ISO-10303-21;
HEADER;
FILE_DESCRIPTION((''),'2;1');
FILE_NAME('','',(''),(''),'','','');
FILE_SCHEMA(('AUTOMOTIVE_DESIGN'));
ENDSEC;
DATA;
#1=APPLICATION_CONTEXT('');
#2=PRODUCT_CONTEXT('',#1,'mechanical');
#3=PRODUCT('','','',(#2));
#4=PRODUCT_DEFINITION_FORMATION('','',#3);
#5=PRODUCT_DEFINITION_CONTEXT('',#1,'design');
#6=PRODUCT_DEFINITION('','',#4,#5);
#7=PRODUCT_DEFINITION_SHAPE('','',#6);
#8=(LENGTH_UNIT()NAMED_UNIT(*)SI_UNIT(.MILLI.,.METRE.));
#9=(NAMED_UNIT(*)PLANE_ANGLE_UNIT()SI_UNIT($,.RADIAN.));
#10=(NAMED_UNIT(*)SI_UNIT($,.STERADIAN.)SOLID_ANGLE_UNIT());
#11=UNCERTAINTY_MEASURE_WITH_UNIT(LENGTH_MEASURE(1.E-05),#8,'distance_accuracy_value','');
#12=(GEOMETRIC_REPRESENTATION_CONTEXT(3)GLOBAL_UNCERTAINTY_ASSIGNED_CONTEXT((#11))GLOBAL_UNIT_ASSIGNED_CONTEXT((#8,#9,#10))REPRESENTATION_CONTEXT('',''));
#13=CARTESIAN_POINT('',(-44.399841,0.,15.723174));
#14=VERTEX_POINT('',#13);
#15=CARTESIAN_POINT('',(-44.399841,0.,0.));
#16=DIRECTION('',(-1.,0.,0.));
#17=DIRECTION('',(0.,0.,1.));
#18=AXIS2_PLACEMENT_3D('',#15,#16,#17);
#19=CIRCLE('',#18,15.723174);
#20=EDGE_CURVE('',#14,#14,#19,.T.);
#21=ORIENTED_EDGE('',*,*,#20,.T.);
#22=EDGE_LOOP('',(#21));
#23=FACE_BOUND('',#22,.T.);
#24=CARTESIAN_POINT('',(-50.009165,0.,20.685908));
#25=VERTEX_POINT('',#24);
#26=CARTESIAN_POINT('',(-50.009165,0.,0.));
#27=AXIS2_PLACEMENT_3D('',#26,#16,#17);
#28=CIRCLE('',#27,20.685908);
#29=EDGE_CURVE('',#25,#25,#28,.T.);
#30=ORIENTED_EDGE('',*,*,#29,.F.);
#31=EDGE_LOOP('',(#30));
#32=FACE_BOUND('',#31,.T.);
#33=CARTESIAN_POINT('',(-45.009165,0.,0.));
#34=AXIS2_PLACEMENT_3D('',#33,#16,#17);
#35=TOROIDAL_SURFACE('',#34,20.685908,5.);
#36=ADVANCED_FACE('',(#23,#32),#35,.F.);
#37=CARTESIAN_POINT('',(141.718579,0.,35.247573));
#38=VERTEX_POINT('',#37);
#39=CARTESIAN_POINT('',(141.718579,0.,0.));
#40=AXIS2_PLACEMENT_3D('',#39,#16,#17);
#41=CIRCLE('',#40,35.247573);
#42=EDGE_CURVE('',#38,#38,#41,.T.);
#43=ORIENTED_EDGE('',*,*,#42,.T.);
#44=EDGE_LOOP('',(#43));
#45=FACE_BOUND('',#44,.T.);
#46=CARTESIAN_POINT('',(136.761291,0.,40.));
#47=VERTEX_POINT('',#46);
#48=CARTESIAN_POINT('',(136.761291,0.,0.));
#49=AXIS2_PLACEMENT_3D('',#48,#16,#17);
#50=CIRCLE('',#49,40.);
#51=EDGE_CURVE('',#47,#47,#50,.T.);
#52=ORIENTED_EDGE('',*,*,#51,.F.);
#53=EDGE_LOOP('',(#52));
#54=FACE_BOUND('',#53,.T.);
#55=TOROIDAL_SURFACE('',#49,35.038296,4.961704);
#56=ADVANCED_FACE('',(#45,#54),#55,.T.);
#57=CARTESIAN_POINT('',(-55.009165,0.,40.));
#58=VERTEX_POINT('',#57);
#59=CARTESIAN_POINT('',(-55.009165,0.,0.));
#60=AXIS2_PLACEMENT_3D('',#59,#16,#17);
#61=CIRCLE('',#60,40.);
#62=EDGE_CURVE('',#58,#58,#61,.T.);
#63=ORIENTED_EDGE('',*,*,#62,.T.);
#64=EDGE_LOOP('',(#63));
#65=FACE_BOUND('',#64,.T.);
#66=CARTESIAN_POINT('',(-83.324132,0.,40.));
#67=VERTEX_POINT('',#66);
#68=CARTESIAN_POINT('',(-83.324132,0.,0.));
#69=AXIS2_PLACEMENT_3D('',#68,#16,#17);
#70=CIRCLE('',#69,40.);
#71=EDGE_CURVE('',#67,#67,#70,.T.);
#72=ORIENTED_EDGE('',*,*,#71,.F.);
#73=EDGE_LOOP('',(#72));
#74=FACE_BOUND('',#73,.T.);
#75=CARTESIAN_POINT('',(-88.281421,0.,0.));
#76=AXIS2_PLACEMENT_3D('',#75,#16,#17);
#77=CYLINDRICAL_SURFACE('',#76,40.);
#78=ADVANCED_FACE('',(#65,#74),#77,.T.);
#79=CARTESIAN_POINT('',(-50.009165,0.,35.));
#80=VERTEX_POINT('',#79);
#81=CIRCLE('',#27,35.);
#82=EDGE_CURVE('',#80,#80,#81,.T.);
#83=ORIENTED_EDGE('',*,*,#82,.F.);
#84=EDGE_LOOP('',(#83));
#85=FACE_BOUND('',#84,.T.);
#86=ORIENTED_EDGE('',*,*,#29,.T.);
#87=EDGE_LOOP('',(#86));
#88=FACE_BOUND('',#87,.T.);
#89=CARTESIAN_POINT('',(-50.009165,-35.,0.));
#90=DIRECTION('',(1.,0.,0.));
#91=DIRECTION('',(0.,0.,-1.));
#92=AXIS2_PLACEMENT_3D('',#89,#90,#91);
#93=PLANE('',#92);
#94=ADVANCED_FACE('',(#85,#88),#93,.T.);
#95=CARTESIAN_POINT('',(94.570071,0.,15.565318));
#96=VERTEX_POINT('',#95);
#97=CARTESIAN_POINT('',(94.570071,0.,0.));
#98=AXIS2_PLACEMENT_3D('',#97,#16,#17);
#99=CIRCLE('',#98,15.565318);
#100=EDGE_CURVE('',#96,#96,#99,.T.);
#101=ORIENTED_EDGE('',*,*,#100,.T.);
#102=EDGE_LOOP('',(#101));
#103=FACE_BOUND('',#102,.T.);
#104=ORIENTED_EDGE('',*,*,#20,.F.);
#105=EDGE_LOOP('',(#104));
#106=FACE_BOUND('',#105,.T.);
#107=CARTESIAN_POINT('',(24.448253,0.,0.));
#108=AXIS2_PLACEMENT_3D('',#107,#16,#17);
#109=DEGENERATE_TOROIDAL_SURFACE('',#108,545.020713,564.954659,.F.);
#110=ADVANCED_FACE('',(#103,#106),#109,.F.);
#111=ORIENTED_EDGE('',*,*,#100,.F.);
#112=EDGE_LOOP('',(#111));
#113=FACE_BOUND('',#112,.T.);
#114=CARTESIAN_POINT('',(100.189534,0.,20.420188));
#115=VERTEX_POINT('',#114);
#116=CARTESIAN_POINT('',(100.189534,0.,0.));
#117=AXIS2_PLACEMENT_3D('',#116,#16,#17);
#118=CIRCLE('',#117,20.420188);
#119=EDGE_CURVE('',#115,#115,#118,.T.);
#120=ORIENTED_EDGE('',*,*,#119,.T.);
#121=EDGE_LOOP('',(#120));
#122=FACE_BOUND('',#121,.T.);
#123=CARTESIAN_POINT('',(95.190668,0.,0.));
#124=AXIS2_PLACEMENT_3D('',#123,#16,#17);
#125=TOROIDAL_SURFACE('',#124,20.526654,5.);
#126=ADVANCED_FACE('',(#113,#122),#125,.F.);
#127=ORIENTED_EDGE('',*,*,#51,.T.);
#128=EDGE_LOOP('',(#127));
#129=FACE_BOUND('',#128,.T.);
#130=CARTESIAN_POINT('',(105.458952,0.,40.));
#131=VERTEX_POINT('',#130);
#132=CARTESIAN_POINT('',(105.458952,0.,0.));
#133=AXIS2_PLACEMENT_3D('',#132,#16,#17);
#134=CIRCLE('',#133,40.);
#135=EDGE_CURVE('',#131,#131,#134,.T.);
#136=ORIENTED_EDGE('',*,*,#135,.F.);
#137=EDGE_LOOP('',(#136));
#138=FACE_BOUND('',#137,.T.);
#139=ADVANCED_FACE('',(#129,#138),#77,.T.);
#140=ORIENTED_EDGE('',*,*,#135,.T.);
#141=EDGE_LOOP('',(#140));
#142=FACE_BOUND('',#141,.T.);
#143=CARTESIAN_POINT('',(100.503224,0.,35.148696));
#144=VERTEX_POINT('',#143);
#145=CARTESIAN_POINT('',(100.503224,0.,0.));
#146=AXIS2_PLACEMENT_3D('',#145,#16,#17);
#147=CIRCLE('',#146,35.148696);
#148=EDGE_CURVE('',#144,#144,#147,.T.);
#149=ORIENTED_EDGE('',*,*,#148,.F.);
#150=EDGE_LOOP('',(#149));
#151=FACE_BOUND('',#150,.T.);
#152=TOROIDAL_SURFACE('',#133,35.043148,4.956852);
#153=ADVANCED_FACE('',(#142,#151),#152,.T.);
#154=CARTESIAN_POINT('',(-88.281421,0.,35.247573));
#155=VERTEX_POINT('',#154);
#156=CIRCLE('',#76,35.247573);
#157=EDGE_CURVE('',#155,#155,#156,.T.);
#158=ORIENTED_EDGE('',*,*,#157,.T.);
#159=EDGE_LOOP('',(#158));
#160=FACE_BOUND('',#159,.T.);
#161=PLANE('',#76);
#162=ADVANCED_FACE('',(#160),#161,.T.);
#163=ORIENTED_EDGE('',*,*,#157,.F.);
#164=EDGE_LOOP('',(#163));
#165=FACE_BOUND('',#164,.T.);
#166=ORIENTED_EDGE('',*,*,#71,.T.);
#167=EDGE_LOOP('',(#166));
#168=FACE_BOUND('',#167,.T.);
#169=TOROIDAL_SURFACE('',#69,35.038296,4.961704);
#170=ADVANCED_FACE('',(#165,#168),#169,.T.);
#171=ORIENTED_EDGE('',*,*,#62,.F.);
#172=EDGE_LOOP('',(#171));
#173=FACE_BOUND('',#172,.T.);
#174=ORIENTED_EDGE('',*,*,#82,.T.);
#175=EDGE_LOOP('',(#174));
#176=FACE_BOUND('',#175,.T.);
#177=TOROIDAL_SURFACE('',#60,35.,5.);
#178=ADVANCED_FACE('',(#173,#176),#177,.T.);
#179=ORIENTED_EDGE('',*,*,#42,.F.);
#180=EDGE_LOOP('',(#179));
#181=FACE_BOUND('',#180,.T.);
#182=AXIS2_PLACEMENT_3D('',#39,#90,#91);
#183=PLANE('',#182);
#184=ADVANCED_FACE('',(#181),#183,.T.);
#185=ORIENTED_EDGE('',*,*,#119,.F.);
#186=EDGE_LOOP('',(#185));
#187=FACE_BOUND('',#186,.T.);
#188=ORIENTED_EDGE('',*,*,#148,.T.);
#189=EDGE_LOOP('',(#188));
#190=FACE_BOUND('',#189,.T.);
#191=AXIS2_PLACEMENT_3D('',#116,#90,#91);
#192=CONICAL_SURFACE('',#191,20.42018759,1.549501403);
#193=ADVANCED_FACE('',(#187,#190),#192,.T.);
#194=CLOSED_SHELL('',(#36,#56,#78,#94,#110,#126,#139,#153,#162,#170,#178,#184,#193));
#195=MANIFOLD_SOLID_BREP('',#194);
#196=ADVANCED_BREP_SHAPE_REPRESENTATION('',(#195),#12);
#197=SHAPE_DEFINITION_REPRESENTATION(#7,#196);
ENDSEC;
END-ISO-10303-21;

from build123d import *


with BuildPart() as part:
    # Sketch1 → Revolve1 (revolve)
    with BuildSketch(Plane.XY, mode=Mode.PRIVATE) as revolve1_sk:
        with BuildLine():
            Line((-88.281420789, 0), (-88.281420789, -35.247573252))
            ThreePointArc((-88.281420789, -35.247573252), (-86.75779905, -38.619977052), (-83.324132313, -40))
            Line((-83.324132313, -40), (-55.009165386, -40))
            ThreePointArc((-55.009165386, -40), (-51.47363148, -38.535533906), (-50.009165386, -35))
            Line((-50.009165386, -35), (-50.009165386, -20.685907757))
            ThreePointArc((-50.009165386, -20.685907757), (-48.322274172, -16.941136713), (-44.399841316, -15.723174218))
            ThreePointArc((-44.399841316, -15.723174218), (25.089987144, -19.933581913), (94.570071054, -15.565317694))
            ThreePointArc((94.570071054, -15.565317694), (98.459421712, -16.743104421), (100.189534276, -20.42018759))
            Line((100.189534276, -20.42018759), (100.503224158, -35.14869615))
            ThreePointArc((100.503224158, -35.14869615), (101.99144611, -38.585291985), (105.458951949, -40))
            Line((105.458951949, -40), (136.761290735, -40))
            ThreePointArc((136.761290735, -40), (140.194957471, -38.619977052), (141.718579211, -35.247573252))
            Line((141.718579211, -35.247573252), (141.718579211, 0))
            Line((141.718579211, 0), (-88.281420789, 0))
        make_face()
    revolve(revolve1_sk.sketch.rotate(Axis((-88.281420789, 0, 0), (1, 0, 0)), 270), axis=Axis((-88.281420789, 0, 0), (1, 0, 0)))


solid = part.part
